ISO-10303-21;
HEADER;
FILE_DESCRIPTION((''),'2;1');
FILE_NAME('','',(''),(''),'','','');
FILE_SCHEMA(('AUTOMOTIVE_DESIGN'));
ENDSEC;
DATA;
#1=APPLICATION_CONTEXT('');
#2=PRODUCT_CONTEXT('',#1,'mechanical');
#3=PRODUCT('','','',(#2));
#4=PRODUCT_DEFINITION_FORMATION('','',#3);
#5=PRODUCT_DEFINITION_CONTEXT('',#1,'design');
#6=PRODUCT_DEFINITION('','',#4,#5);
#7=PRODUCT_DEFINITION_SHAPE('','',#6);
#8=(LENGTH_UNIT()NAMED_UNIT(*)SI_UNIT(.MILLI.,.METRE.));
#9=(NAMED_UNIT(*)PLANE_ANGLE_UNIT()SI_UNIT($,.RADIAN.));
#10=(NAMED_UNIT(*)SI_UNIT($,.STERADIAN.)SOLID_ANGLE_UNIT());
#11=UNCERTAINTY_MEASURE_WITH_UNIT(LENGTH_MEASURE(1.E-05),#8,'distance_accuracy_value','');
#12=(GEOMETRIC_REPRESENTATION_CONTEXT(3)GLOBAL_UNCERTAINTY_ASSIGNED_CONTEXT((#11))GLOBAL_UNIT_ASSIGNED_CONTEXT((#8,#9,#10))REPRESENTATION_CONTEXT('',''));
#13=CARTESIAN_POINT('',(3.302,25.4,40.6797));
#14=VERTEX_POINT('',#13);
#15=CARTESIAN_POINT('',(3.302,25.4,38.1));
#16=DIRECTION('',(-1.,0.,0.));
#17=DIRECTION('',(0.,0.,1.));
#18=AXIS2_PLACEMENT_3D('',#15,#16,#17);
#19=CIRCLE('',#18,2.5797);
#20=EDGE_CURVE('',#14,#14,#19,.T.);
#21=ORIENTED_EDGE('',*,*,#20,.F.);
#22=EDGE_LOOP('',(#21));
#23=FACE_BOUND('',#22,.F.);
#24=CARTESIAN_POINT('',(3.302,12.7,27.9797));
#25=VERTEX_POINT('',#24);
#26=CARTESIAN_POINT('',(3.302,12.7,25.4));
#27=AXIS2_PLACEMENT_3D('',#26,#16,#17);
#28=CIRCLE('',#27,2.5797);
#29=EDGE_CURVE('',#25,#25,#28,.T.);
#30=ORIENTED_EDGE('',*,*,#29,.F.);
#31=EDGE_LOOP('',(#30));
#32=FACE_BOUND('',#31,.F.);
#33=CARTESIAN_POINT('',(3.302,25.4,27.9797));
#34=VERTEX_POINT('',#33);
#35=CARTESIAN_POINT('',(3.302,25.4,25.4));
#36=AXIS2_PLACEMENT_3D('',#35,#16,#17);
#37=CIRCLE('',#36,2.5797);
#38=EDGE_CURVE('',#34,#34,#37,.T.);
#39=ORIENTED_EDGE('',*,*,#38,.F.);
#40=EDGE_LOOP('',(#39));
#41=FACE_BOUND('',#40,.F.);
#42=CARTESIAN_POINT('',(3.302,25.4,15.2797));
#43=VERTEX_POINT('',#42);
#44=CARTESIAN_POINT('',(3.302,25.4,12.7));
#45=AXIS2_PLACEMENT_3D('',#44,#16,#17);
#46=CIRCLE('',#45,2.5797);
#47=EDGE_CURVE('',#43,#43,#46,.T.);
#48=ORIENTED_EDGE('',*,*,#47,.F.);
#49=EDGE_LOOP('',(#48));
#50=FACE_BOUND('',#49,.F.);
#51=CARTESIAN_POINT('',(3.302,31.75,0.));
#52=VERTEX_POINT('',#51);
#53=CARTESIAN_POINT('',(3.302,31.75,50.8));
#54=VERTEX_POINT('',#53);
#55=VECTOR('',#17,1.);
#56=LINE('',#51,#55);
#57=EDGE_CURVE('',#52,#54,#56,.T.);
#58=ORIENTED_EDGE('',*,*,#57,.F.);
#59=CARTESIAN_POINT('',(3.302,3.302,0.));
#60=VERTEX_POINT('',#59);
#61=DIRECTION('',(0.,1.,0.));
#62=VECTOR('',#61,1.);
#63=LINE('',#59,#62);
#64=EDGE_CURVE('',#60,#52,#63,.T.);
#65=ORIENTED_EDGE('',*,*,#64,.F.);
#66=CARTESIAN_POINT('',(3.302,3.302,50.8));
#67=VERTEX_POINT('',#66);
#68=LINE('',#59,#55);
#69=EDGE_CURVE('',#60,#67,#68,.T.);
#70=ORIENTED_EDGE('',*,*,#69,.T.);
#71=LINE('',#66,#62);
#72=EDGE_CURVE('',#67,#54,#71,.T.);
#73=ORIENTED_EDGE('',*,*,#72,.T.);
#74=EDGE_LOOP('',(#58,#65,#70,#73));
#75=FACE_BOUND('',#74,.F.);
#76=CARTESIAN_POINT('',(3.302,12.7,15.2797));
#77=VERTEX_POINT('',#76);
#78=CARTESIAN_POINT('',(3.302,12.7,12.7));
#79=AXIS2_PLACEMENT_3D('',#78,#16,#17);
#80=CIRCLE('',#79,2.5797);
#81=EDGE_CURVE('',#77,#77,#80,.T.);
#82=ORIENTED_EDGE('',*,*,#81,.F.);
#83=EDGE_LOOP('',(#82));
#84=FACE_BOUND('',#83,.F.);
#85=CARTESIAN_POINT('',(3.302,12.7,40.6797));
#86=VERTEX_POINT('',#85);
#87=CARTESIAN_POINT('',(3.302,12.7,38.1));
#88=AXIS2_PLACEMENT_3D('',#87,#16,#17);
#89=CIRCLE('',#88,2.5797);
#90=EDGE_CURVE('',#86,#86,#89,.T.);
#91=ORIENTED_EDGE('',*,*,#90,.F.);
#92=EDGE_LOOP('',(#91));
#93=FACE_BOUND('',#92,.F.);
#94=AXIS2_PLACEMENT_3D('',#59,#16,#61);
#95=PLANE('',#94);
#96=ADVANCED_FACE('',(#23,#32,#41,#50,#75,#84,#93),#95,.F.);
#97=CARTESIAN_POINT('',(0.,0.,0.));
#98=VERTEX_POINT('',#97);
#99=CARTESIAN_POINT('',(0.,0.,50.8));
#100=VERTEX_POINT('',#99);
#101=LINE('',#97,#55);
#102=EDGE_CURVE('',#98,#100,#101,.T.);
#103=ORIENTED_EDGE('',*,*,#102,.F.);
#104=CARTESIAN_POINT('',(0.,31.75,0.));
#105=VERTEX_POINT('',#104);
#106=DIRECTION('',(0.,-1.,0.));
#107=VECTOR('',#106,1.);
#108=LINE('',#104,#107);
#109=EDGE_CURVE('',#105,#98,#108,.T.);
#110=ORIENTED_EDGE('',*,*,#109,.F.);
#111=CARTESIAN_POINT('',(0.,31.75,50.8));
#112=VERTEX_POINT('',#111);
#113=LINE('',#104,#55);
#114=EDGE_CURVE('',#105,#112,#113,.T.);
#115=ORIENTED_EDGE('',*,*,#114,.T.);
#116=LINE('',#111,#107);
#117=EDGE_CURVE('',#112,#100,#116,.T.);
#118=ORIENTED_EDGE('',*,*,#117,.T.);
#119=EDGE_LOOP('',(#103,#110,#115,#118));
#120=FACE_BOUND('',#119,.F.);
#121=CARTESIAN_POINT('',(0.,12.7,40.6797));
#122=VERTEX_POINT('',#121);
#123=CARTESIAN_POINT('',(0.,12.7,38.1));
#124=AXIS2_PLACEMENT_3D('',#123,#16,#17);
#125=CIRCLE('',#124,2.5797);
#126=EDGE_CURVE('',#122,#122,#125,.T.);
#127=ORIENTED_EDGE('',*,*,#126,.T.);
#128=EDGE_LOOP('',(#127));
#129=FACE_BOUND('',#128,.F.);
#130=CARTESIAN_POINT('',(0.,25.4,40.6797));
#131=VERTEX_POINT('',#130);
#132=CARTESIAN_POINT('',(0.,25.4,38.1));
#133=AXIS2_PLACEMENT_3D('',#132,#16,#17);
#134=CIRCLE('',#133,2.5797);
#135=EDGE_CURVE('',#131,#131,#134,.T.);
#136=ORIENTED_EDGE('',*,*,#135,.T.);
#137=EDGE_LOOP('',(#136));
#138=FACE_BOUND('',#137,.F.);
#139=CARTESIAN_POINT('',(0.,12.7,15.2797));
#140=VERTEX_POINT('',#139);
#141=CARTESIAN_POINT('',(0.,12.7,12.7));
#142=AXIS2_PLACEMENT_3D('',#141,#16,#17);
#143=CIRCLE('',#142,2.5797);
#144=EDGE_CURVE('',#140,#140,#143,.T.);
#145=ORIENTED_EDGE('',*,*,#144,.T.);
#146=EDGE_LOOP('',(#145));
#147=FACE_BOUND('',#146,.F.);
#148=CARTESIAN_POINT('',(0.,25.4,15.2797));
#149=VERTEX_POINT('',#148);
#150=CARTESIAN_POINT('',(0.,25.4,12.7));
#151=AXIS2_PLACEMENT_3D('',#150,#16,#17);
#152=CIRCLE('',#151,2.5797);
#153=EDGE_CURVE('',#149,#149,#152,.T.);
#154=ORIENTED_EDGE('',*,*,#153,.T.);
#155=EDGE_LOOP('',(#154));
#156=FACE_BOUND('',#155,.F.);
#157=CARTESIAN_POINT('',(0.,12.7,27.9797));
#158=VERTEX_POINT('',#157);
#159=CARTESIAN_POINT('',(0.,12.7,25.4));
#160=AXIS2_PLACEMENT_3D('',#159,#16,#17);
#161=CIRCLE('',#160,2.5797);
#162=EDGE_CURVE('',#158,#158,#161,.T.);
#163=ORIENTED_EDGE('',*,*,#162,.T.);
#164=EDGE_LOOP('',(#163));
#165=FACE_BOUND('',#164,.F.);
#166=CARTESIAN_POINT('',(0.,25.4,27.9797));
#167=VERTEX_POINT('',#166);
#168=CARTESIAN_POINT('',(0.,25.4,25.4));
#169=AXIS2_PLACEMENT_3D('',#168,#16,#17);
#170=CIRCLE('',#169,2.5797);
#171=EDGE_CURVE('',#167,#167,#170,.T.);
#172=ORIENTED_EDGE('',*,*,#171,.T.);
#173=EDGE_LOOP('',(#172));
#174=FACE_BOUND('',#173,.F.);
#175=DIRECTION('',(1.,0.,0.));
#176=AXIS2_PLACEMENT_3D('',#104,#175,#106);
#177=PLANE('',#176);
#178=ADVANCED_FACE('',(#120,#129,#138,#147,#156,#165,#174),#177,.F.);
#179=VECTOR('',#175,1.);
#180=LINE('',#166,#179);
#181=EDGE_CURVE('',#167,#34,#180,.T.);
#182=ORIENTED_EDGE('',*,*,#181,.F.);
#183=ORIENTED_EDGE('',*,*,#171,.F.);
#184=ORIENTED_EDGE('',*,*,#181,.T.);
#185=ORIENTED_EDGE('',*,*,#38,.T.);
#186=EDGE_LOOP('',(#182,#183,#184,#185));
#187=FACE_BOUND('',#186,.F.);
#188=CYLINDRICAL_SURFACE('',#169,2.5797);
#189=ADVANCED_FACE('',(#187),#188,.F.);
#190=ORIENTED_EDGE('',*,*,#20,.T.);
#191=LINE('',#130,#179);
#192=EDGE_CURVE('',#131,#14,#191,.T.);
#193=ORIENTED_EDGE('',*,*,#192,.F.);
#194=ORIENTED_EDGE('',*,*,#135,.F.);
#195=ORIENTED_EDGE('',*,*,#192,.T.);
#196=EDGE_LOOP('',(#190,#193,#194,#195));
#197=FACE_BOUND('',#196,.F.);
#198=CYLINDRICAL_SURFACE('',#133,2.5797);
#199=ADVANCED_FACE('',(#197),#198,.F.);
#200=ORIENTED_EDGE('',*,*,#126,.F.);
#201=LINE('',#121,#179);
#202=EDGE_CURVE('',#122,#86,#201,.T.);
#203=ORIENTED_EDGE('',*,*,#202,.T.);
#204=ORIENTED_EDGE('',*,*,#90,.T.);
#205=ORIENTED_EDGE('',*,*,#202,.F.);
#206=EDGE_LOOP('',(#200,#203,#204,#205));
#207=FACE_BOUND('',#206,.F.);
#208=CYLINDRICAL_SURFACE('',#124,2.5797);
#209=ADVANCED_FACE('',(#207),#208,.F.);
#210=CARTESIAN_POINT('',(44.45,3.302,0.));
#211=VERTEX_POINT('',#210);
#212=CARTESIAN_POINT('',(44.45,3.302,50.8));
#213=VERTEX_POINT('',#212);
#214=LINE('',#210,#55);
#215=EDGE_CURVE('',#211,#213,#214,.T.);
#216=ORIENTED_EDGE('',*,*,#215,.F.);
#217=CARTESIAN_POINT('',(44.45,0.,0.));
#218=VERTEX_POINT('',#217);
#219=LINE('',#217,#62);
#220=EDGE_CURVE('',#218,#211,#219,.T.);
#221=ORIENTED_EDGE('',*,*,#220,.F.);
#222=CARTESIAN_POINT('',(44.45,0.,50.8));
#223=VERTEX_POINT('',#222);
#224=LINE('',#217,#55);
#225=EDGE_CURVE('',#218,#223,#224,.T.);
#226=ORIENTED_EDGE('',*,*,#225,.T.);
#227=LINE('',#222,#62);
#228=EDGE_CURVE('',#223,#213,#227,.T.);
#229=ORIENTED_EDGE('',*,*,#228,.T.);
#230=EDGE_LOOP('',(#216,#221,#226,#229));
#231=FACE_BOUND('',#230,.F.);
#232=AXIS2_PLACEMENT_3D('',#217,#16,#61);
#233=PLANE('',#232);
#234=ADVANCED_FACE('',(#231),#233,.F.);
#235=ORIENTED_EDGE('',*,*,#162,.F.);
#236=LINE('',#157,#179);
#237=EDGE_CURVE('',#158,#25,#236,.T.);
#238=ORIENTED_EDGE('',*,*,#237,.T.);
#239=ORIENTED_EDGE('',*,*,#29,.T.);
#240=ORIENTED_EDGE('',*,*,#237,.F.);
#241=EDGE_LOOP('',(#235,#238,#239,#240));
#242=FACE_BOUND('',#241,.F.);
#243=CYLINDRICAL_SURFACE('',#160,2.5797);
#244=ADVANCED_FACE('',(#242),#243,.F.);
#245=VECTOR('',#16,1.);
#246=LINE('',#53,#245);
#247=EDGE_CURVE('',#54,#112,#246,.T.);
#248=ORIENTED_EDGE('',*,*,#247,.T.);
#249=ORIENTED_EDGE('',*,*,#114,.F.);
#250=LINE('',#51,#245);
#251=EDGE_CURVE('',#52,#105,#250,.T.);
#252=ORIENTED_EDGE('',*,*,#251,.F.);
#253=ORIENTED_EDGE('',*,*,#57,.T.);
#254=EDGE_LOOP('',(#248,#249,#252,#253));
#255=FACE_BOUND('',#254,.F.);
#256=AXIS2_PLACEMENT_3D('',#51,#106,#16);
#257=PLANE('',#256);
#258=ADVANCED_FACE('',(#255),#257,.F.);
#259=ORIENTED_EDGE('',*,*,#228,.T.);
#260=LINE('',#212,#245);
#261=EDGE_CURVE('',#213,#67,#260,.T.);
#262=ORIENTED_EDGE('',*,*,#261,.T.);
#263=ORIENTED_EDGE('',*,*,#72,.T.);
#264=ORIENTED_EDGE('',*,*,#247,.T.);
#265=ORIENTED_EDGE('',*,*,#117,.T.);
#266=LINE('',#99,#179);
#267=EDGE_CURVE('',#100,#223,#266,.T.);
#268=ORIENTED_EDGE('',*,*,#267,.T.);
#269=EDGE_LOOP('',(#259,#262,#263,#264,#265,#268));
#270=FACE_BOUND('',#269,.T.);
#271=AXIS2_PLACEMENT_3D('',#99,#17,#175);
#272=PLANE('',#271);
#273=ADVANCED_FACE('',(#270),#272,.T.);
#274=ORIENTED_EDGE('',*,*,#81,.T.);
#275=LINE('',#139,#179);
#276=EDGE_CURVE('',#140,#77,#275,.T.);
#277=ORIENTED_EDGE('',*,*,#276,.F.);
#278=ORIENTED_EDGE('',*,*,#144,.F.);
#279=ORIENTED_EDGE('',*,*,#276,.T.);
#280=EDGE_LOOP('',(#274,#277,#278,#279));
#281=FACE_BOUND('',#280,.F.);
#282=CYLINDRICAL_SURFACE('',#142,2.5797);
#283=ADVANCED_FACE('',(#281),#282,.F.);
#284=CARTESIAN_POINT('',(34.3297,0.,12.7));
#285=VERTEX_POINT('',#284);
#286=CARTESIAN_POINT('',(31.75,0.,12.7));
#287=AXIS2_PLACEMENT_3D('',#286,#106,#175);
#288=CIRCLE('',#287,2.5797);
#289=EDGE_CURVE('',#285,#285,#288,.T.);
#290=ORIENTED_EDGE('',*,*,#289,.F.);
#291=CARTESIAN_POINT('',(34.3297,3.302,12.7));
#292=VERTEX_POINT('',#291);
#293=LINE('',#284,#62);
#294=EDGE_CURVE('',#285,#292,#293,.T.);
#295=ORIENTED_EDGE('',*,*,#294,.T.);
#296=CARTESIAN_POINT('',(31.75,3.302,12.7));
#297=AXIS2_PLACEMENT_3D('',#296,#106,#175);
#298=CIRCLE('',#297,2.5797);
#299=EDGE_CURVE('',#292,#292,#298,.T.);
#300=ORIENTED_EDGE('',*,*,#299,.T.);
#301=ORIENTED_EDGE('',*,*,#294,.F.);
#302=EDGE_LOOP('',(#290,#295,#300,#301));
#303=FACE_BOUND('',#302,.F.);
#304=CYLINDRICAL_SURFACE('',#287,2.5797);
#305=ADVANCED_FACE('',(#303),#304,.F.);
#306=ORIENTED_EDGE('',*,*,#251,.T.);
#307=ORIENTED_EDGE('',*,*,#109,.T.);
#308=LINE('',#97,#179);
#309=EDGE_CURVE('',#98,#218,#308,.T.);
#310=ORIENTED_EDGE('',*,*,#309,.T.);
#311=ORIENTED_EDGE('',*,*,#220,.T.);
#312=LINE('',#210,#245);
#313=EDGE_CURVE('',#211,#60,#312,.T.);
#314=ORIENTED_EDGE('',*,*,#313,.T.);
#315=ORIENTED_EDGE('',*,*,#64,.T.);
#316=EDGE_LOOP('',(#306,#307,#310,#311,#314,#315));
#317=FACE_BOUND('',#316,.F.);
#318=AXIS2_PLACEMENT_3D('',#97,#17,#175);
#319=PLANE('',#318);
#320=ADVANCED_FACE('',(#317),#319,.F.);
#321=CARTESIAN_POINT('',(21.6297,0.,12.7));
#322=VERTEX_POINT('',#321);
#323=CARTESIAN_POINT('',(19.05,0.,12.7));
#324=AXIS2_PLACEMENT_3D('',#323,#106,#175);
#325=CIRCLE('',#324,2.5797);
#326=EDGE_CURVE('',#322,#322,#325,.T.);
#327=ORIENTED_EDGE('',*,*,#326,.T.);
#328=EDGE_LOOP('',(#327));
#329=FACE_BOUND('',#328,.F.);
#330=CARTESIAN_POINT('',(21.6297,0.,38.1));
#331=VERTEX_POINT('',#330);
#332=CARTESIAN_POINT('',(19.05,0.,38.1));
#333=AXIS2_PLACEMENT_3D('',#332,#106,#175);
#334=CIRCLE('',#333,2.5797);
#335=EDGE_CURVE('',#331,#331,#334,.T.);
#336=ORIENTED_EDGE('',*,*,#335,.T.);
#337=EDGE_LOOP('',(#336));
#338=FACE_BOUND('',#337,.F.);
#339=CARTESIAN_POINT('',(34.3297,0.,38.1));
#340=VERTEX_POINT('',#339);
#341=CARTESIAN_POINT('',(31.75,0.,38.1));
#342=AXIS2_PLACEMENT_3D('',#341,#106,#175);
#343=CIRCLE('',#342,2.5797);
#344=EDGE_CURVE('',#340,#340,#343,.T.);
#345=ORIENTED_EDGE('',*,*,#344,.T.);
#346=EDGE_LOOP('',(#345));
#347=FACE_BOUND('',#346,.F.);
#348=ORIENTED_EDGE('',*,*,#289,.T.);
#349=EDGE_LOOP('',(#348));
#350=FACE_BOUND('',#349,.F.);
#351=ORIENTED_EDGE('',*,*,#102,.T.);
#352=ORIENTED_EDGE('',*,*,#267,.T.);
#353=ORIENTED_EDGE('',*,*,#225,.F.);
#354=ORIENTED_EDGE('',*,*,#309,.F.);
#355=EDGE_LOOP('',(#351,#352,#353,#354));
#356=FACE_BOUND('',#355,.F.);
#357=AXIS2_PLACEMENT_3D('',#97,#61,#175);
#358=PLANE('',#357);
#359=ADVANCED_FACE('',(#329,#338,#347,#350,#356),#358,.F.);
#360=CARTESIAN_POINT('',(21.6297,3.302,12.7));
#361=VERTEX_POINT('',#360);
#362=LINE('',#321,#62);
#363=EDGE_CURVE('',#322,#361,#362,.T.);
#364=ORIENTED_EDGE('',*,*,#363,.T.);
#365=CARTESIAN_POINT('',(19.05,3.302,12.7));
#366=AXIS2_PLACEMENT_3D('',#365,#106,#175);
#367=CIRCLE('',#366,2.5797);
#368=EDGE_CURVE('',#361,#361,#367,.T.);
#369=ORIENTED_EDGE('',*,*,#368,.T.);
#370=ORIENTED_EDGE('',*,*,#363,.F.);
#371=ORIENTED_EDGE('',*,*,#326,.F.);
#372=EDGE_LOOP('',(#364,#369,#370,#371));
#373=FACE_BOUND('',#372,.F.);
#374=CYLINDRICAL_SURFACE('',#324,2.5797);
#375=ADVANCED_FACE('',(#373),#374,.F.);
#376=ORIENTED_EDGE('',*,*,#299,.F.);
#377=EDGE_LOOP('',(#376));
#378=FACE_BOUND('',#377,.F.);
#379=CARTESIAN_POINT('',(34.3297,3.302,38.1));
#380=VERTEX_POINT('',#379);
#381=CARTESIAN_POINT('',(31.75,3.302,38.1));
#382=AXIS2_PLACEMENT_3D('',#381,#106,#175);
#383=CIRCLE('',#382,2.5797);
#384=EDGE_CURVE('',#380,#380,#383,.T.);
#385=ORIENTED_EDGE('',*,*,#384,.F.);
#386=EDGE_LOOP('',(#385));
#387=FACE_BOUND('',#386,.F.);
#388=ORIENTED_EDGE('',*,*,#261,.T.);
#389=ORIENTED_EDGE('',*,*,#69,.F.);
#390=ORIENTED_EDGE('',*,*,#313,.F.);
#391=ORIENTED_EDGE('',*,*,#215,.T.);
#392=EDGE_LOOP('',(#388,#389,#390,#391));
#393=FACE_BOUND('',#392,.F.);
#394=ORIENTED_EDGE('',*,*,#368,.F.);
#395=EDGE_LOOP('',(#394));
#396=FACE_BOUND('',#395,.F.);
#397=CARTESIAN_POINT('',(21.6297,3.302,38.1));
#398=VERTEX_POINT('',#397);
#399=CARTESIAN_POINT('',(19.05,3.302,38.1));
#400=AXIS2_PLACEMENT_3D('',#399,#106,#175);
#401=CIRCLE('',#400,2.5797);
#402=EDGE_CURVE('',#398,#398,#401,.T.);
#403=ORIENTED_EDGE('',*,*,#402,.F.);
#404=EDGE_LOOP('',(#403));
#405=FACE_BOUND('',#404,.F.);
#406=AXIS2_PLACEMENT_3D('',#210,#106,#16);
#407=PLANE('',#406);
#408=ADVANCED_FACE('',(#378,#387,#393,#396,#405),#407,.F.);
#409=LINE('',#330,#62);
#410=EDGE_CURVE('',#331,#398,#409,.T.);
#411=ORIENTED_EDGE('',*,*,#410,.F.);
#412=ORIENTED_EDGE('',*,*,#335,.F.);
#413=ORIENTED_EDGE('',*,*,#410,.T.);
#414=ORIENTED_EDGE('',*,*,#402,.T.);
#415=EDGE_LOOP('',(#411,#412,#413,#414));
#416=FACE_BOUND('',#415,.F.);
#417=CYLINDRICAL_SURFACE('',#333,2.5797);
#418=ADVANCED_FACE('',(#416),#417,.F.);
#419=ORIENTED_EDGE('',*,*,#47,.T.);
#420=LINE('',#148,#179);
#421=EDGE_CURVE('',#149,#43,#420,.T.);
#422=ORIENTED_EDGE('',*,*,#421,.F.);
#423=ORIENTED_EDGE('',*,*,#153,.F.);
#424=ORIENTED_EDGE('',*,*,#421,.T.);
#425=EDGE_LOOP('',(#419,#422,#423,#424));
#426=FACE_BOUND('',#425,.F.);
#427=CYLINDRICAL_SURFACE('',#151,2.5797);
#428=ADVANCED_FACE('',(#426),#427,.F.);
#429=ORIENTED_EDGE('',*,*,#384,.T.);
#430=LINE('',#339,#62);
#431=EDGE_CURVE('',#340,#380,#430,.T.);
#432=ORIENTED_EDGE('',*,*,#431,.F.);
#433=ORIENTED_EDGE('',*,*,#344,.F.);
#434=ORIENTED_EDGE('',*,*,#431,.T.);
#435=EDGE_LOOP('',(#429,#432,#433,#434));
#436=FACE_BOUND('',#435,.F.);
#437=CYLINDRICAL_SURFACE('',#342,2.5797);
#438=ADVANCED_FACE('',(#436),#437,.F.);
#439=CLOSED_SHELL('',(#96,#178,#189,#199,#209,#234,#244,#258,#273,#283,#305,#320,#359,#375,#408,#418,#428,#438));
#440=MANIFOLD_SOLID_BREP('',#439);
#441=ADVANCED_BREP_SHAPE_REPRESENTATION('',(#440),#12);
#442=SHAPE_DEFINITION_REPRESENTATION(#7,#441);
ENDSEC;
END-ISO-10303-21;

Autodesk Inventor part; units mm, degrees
ref_plane "YZ Plane" through (0, 0, 0) normal (1, 0, 0) x (0, 1, 0)
ref_plane "XZ Plane" through (0, 0, 0) normal (0, 1, 0) x (-1, 0, 0)
ref_plane "XY Plane" through (0, 0, 0) normal (0, 0, 1) x (1, 0, 0)
sketch "Sketch1" plane through (0, 0, 0) normal (0, 0, 1) x (1, 0, 0)
  line L0 (0, 0) -> (44.45, 0)
  line L1 (44.45, 0) -> (44.45, 3.302)
  line L2 (44.45, 3.302) -> (3.302, 3.302)
  line L3 (0, 31.75) -> (0, 0)
  line L4 (3.302, 3.302) -> (3.302, 31.75)
  line L5 (3.302, 31.75) -> (0, 31.75)
  line L6 (0, 31.75) -> (0, 0)
  point P0 (0, 3.302)
  dimension "d1" = 3.302
  dimension "d2" = 3.302
  dimension "d50" = 44.45
  dimension "d57" = 31.75
extrude "Extrusion1" add sketch "Sketch1" along normal blind 50.8
sketch "Sketch3" plane through (0, 0, 0) normal (-1, 0, 0) x (0, 0, 1)
  line L0 (0, 0) -> (50.8, 0) construction
  line L1 (0, 0) -> (12.7, 0) construction
  line L2 (12.7, 0) -> (25.4, 0) construction
  line L3 (25.4, 0) -> (38.1, 0) construction
  line L4 (38.1, 0) -> (38.1, 12.7) construction
  line L5 (38.1, 12.7) -> (38.1, 25.4) construction
  line L6 (25.4, 0) -> (25.4, 12.7) construction
  line L7 (25.4, 12.7) -> (25.4, 25.4) construction
  line L8 (12.7, 0) -> (12.7, 12.7) construction
  line L9 (12.7, 12.7) -> (12.7, 25.4) construction
  circle A0 centre (12.7, 25.4) radius 2.5797
  circle A1 centre (25.4, 25.4) radius 2.5797
  circle A2 centre (38.1, 25.4) radius 2.5797
  circle A3 centre (38.1, 12.7) radius 2.5797
  circle A4 centre (25.4, 12.7) radius 2.5797
  circle A5 centre (12.7, 12.7) radius 2.5797
  dimension "d9" = 12.7
  dimension "d10" = 12.7
  dimension "d11" = 12.7
  dimension "d12" = 12.7
  dimension "d13" = 12.7
  dimension "d14" = 12.7
  dimension "d15" = 12.7
  dimension "d16" = 12.7
  dimension "d17" = 12.7
  dimension "d18" = 5.1594
  dimension "d19" = 5.1594
  dimension "d20" = 5.1594
  dimension "d21" = 5.1594
  dimension "d22" = 5.1594
  dimension "d23" = 5.1594
extrude "Extrusion3" cut sketch "Sketch3" against normal blind 50.8
sketch "Sketch4" plane through (0, 0, 0) normal (0, -1, 0) x (1, 0, 0)
  line L0 (44.45, 0) -> (44.45, 50.8) construction
  line L1 (44.45, 50.8) -> (44.45, 38.1) construction
  line L2 (50.8, 38.1) -> (44.45, 38.1) construction
  line L3 (44.45, 38.1) -> (31.75, 38.1) construction
  line L4 (31.75, 38.1) -> (19.05, 38.1) construction
  line L5 (44.45, 0) -> (44.45, 13.462) construction
  circle A0 centre (31.75, 38.1) radius 2.5797
  circle A1 centre (19.05, 38.1) radius 2.5797
  line L6 (50.8, 12.7) -> (44.45, 12.7) construction
  line L7 (44.45, 12.7) -> (31.75, 12.7) construction
  line L8 (31.75, 12.7) -> (19.05, 12.7) construction
  line L9 (19.05, 12.7) -> (6.35, 12.7) construction
  circle A2 centre (31.75, 12.7) radius 2.5797
  circle A3 centre (19.05, 12.7) radius 2.5797
  line L10 (44.45, 13.462) -> (38.1, 13.462) construction
  line L11 (44.45, 12.7) -> (44.45, 17.4414) construction
  line L12 (19.05, 38.1) -> (6.35, 38.1) construction
  point P0 (0, 0)
  dimension "d26" = 12.7
  dimension "d27" = 6.35
  dimension "d28" = 12.7
  dimension "d29" = 12.7
  dimension "d31" = 13.462
  dimension "d33" = 5.1594
  dimension "d34" = 5.1594
  dimension "d37" = 6.35
  dimension "d38" = 12.7
  dimension "d39" = 12.7
  dimension "d40" = 12.7
  dimension "d42" = 5.1594
  dimension "d43" = 5.1594
  dimension "d53" = 12.7
extrude "Extrusion7" cut sketch "Sketch4" against normal blind 25.4
properties part number "2in bracket"
